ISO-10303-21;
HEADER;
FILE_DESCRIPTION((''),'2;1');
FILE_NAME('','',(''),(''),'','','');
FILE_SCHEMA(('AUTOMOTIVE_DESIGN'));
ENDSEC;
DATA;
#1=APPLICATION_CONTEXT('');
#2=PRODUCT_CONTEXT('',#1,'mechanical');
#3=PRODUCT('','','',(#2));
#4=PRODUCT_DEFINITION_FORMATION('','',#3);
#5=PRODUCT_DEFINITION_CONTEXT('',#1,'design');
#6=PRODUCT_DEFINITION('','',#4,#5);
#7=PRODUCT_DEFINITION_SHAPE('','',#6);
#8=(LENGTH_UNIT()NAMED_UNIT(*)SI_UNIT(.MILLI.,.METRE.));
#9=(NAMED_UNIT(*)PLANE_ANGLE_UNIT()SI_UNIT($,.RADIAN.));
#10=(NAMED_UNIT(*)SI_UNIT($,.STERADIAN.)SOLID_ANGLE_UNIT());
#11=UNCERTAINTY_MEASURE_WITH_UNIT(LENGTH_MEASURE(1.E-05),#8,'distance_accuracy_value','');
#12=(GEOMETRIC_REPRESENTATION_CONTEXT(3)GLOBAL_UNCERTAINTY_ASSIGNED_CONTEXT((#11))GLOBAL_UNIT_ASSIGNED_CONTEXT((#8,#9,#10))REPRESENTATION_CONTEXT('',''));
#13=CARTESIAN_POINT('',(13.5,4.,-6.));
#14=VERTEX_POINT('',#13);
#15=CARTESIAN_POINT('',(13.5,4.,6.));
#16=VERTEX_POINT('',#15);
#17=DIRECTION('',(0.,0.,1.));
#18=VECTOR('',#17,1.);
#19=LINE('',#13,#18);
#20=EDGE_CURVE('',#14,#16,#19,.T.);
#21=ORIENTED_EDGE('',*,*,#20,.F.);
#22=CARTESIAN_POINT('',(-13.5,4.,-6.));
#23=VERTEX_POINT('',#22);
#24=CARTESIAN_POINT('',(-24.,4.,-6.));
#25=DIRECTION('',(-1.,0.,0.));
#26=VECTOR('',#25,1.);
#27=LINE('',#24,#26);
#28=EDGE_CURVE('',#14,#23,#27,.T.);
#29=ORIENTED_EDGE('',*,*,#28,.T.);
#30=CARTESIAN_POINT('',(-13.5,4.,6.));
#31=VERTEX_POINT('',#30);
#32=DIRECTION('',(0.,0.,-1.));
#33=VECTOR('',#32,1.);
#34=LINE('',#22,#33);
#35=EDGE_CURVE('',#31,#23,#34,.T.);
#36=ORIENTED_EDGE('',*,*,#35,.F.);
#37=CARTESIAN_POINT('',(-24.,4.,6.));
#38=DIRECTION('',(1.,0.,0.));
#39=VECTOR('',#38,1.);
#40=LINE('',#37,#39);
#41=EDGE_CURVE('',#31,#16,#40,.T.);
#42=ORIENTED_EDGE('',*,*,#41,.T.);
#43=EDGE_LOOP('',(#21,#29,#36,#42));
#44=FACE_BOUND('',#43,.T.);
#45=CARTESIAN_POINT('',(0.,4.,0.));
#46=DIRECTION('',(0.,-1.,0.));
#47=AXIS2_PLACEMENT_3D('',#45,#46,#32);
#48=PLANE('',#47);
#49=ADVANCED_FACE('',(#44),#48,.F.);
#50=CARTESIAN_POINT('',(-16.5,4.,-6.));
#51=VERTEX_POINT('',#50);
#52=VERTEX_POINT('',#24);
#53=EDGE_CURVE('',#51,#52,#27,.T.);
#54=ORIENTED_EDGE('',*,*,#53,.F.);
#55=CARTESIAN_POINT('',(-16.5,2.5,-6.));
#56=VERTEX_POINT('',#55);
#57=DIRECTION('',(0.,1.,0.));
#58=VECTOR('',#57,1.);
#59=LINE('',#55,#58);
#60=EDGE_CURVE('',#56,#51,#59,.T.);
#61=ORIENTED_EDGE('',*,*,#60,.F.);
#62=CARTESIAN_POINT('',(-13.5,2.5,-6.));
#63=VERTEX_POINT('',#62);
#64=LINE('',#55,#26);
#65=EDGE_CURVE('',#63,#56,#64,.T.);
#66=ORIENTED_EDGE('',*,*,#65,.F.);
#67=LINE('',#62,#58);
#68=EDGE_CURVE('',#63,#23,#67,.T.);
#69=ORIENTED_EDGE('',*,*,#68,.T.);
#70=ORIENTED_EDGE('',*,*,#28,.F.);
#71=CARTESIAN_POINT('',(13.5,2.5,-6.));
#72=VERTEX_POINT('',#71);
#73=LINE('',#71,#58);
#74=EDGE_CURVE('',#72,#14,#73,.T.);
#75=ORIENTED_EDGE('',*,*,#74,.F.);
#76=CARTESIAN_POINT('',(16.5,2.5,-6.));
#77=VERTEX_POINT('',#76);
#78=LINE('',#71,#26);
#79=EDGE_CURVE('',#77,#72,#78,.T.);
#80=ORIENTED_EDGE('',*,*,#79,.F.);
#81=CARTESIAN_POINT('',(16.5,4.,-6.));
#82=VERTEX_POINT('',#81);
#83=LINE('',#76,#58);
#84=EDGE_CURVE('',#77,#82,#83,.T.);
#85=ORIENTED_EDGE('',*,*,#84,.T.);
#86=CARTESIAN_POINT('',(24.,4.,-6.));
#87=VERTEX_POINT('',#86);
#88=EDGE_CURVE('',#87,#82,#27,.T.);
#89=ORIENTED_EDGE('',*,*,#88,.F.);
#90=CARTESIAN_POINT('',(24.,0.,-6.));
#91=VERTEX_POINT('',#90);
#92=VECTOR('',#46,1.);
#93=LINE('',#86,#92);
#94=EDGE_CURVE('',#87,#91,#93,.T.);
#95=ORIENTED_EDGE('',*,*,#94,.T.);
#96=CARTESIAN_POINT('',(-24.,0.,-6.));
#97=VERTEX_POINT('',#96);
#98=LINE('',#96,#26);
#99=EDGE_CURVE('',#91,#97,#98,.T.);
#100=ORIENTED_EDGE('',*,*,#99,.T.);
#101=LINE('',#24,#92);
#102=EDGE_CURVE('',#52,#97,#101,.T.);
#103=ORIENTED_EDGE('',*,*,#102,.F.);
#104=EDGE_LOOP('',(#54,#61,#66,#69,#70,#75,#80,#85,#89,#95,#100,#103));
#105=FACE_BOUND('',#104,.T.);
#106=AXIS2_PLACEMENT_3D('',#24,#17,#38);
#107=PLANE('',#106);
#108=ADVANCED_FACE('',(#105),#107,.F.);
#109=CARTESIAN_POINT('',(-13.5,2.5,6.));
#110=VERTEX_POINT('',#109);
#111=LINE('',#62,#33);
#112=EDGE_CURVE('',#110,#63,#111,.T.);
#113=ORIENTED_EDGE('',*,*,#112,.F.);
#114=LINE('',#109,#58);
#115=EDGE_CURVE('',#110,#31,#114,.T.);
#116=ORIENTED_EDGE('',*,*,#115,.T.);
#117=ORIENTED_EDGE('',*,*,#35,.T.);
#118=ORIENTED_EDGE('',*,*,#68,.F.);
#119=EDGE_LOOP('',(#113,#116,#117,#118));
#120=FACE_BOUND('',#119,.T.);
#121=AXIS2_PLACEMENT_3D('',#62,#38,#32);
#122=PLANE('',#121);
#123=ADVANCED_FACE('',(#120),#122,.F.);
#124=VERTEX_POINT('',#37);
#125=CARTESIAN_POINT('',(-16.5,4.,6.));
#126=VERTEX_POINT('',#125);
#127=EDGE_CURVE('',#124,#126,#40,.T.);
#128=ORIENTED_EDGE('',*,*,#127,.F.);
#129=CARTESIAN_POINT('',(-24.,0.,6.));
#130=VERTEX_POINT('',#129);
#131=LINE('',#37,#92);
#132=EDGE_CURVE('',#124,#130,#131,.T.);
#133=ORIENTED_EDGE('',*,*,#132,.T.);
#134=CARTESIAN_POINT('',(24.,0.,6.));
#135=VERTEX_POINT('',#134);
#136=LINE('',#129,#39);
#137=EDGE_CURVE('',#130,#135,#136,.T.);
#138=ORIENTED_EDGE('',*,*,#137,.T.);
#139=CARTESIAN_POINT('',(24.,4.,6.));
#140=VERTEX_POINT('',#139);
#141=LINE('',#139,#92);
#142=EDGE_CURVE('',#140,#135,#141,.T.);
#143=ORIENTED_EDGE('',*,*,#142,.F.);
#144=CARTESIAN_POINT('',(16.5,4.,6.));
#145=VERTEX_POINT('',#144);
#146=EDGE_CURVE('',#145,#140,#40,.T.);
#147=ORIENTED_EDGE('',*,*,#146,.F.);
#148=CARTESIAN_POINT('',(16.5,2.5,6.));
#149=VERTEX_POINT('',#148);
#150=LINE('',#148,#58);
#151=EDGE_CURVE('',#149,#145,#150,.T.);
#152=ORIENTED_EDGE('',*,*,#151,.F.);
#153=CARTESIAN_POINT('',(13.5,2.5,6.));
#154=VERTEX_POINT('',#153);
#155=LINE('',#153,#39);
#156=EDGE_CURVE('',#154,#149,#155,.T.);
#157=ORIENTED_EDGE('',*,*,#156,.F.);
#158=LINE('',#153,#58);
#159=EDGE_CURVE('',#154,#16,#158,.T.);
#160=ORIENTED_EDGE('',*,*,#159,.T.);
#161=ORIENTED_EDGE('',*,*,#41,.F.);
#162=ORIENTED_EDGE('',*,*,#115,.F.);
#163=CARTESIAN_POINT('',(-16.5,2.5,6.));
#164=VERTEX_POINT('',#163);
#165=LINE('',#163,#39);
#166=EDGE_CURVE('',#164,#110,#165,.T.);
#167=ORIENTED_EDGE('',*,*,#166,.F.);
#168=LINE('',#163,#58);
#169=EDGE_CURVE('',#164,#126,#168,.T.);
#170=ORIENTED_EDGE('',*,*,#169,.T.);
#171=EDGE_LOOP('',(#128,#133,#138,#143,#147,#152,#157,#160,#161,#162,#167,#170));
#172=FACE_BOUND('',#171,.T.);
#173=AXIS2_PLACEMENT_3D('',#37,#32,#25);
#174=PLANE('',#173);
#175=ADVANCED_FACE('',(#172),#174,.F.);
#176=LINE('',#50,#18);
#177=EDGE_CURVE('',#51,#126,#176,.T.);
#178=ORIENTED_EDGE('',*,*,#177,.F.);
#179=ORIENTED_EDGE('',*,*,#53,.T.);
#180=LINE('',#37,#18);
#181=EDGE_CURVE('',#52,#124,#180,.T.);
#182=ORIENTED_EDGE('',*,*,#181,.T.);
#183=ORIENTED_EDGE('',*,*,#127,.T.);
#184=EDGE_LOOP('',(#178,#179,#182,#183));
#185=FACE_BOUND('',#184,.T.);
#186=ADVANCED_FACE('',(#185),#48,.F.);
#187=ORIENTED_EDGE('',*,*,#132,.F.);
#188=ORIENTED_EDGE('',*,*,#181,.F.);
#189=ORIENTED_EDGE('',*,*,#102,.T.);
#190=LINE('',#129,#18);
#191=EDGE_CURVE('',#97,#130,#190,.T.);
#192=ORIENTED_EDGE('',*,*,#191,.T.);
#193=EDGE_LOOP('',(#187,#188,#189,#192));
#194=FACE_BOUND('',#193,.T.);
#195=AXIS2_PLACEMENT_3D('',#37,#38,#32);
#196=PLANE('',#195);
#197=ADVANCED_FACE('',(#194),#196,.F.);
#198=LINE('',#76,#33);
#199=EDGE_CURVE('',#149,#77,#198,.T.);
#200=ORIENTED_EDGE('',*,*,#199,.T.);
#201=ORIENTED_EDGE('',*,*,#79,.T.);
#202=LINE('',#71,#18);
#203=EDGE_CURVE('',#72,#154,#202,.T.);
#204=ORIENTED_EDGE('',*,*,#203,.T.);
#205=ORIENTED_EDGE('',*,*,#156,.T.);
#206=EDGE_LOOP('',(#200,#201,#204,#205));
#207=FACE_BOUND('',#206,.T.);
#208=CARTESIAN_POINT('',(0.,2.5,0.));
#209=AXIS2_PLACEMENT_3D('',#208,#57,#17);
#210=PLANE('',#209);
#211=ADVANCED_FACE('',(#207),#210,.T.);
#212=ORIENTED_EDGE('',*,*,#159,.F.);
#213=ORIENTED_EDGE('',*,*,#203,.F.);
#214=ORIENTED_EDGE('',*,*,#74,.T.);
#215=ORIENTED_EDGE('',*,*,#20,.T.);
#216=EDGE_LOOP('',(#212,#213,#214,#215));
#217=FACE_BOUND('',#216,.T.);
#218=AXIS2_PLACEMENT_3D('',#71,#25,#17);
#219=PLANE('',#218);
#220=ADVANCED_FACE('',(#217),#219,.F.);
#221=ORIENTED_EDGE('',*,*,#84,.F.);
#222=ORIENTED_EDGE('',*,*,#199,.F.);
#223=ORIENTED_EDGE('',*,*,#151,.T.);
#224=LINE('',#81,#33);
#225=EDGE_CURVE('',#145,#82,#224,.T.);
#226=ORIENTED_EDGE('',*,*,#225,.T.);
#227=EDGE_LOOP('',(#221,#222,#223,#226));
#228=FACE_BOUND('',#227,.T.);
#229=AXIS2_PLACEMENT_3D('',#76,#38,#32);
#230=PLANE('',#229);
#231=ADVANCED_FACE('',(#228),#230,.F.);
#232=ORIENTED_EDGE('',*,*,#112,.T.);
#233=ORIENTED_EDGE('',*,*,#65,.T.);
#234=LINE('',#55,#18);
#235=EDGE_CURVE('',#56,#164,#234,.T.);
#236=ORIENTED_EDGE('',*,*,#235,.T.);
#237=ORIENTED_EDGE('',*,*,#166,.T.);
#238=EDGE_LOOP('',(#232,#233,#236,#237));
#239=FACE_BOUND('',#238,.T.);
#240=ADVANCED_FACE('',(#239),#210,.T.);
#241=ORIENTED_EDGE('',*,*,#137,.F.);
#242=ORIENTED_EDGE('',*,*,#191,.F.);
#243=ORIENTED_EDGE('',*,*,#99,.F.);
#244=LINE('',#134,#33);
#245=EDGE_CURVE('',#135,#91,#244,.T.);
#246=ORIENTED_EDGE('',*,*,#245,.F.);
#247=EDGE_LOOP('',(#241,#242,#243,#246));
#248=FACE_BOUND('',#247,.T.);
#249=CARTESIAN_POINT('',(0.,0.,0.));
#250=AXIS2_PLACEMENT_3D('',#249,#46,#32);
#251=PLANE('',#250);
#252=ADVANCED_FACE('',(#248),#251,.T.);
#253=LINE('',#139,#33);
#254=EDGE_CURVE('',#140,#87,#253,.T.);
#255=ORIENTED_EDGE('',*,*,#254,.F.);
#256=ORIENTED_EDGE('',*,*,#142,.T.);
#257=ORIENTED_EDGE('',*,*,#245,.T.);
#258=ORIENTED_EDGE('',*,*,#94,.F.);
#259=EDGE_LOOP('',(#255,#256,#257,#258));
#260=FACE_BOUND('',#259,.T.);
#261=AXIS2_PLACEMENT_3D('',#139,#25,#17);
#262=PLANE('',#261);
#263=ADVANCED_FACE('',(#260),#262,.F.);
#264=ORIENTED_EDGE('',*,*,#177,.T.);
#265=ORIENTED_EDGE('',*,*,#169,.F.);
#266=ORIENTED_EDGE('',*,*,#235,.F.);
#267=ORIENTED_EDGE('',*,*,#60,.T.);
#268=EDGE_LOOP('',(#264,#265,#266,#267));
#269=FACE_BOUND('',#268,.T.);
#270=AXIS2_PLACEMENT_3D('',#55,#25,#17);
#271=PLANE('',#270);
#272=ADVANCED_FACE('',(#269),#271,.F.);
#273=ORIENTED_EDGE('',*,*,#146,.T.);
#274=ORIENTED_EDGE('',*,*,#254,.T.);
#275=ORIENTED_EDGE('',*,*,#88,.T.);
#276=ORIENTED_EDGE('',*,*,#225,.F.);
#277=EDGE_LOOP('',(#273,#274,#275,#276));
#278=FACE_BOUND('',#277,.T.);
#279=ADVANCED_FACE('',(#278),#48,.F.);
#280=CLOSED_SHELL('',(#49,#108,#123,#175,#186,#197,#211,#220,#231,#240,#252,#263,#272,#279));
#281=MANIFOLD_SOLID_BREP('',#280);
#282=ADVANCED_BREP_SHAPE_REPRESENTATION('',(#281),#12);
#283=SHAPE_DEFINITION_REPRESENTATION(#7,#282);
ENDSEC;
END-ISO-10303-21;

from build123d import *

# Parameters (mm, degrees)
SKETCH1_W           = 48
SKETCH1_H           = 12
BOSS_EXTRUDE1_DEPTH = 4
SKETCH2_W           = 3
SKETCH2_H           = 12
CUT_EXTRUDE1_DEPTH  = 1.5


with BuildPart() as part:
    # Sketch1 → Boss-Extrude1 (new body)
    with BuildSketch(Plane(origin=(0, 0, 0), x_dir=(1, 0, 0), z_dir=(0, 1, 0))):
        Rectangle(SKETCH1_W, SKETCH1_H)
    extrude(amount=BOSS_EXTRUDE1_DEPTH)

    # Sketch2 → Cut-Extrude1 (cut)
    with BuildSketch(Plane(origin=(0, 4, 0), x_dir=(1, 0, 0), z_dir=(0, 1, 0))):
        with Locations((-15, 0)):
            Rectangle(SKETCH2_W, SKETCH2_H)
        with Locations((15, 0)):
            Rectangle(SKETCH2_W, SKETCH2_H)
    extrude(amount=-CUT_EXTRUDE1_DEPTH, mode=Mode.SUBTRACT)


solid = part.part
